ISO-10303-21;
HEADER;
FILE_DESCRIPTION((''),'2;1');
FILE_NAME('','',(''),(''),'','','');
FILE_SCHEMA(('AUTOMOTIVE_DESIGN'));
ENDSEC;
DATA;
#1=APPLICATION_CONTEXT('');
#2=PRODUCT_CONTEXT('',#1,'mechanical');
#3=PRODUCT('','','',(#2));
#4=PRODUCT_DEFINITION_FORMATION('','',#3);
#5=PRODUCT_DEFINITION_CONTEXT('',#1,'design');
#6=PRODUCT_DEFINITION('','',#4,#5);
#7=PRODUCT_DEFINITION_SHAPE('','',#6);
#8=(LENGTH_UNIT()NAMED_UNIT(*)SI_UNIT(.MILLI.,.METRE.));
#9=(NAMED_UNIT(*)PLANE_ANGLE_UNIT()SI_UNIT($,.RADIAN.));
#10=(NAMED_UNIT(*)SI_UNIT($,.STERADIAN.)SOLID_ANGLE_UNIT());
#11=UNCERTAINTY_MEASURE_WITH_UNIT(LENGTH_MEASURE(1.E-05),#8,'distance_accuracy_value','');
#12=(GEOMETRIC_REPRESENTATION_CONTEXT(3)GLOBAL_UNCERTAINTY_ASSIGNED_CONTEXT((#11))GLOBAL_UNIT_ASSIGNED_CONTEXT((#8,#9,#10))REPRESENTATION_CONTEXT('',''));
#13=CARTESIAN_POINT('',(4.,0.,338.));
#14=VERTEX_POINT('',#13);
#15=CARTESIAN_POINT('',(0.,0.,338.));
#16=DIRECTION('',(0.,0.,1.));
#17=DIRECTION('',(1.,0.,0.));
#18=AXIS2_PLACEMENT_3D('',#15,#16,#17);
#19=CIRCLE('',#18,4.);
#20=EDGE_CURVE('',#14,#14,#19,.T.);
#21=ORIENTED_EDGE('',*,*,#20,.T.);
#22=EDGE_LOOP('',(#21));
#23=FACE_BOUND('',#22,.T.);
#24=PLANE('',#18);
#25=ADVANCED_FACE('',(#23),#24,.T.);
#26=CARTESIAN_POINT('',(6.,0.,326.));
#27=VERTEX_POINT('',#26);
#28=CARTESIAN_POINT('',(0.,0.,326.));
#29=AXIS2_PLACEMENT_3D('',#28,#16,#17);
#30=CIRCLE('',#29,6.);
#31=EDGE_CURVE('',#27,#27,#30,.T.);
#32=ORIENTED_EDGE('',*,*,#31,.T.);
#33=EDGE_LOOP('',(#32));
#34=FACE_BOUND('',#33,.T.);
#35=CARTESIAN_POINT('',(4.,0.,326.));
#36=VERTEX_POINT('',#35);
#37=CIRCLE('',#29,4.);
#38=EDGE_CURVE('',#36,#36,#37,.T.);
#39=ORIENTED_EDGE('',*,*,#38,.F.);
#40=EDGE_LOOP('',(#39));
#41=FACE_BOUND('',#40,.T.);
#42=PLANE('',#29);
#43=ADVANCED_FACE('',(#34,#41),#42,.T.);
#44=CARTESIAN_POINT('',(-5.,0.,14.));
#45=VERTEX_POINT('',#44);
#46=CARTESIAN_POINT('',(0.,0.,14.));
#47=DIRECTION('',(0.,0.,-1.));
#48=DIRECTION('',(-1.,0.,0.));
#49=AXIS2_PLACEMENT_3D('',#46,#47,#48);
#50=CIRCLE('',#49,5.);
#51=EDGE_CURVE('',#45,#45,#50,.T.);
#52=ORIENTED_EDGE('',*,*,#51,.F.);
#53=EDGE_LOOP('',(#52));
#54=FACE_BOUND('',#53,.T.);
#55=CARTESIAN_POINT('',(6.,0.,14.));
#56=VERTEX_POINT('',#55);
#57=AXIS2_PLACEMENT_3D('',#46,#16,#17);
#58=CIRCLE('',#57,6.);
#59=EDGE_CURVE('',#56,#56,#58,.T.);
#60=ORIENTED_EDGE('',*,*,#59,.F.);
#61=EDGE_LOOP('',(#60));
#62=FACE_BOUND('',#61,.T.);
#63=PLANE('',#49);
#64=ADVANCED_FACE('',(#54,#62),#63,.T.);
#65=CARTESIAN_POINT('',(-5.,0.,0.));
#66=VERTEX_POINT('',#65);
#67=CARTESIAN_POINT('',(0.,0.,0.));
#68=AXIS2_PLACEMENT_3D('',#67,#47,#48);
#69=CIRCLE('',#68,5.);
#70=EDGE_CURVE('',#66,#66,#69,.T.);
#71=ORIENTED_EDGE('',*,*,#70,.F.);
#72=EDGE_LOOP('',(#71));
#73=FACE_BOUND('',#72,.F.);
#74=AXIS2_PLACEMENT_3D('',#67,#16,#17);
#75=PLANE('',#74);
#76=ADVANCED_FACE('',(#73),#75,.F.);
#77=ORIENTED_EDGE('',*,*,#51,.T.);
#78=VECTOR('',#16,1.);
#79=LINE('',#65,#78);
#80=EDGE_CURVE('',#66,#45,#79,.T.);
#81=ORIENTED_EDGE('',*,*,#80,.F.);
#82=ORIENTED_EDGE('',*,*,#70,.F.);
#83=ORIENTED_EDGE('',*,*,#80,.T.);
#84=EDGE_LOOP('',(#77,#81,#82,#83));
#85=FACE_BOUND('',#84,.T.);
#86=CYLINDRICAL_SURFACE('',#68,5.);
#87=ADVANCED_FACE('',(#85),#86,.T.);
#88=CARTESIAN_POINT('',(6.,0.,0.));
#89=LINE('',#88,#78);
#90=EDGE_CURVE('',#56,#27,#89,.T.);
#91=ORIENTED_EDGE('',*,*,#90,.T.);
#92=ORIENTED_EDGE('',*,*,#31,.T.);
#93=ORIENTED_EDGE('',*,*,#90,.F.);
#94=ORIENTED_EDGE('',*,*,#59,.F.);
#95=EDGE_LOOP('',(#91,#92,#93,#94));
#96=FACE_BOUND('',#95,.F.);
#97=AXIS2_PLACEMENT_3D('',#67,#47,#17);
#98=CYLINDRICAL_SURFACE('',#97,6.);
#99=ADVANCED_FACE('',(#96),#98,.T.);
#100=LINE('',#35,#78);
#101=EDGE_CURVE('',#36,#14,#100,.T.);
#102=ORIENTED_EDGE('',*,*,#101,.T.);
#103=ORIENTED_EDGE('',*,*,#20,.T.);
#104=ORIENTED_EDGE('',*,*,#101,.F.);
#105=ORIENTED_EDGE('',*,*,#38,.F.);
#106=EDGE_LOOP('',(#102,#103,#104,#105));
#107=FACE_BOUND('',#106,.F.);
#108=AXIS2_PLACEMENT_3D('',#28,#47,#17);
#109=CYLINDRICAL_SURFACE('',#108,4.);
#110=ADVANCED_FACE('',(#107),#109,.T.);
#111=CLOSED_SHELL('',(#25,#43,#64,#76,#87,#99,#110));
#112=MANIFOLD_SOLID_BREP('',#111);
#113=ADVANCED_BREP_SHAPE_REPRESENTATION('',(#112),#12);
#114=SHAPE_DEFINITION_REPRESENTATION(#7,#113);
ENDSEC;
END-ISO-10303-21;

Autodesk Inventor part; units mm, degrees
ref_plane "YZ Plane" through (0, 0, 0) normal (1, 0, 0) x (0, 1, 0)
ref_plane "XZ Plane" through (0, 0, 0) normal (0, 1, 0) x (-1, 0, 0)
ref_plane "XY Plane" through (0, 0, 0) normal (0, 0, 1) x (1, 0, 0)
sketch "Sketch1" plane through (0, 0, 0) normal (0, 0, 1) x (1, 0, 0)
  circle A0 centre (0, 0) radius 6
  dimension "d0" = 12
extrude "Extrusion1" add sketch "Sketch1" along normal blind 326
sketch "Sketch2" plane through (0, 0, 326) normal (0, 0, 1) x (1, 0, 0)
  circle A0 centre (0, 0) radius 4
  dimension "d3" = 8
extrude "Extrusion2" add sketch "Sketch2" along normal blind 12
thread "Thread1" size "M12x1.5" class "6g" standard "ANSI Metric M Profile" length 348
sketch "Sketch3" plane through (0, 0, 0) normal (0, 0, -1) x (-1, 0, 0)
  circle A0 centre (0, 0) radius 5
  circle A1 centre (0, 0) radius 6
  dimension "d8" = 10
  dimension "d9" = 12
extrude "Extrusion3" cut sketch "Sketch3" against normal blind 14
properties part number "Tornillo de Vínculo Cabezal" material "Steel"
